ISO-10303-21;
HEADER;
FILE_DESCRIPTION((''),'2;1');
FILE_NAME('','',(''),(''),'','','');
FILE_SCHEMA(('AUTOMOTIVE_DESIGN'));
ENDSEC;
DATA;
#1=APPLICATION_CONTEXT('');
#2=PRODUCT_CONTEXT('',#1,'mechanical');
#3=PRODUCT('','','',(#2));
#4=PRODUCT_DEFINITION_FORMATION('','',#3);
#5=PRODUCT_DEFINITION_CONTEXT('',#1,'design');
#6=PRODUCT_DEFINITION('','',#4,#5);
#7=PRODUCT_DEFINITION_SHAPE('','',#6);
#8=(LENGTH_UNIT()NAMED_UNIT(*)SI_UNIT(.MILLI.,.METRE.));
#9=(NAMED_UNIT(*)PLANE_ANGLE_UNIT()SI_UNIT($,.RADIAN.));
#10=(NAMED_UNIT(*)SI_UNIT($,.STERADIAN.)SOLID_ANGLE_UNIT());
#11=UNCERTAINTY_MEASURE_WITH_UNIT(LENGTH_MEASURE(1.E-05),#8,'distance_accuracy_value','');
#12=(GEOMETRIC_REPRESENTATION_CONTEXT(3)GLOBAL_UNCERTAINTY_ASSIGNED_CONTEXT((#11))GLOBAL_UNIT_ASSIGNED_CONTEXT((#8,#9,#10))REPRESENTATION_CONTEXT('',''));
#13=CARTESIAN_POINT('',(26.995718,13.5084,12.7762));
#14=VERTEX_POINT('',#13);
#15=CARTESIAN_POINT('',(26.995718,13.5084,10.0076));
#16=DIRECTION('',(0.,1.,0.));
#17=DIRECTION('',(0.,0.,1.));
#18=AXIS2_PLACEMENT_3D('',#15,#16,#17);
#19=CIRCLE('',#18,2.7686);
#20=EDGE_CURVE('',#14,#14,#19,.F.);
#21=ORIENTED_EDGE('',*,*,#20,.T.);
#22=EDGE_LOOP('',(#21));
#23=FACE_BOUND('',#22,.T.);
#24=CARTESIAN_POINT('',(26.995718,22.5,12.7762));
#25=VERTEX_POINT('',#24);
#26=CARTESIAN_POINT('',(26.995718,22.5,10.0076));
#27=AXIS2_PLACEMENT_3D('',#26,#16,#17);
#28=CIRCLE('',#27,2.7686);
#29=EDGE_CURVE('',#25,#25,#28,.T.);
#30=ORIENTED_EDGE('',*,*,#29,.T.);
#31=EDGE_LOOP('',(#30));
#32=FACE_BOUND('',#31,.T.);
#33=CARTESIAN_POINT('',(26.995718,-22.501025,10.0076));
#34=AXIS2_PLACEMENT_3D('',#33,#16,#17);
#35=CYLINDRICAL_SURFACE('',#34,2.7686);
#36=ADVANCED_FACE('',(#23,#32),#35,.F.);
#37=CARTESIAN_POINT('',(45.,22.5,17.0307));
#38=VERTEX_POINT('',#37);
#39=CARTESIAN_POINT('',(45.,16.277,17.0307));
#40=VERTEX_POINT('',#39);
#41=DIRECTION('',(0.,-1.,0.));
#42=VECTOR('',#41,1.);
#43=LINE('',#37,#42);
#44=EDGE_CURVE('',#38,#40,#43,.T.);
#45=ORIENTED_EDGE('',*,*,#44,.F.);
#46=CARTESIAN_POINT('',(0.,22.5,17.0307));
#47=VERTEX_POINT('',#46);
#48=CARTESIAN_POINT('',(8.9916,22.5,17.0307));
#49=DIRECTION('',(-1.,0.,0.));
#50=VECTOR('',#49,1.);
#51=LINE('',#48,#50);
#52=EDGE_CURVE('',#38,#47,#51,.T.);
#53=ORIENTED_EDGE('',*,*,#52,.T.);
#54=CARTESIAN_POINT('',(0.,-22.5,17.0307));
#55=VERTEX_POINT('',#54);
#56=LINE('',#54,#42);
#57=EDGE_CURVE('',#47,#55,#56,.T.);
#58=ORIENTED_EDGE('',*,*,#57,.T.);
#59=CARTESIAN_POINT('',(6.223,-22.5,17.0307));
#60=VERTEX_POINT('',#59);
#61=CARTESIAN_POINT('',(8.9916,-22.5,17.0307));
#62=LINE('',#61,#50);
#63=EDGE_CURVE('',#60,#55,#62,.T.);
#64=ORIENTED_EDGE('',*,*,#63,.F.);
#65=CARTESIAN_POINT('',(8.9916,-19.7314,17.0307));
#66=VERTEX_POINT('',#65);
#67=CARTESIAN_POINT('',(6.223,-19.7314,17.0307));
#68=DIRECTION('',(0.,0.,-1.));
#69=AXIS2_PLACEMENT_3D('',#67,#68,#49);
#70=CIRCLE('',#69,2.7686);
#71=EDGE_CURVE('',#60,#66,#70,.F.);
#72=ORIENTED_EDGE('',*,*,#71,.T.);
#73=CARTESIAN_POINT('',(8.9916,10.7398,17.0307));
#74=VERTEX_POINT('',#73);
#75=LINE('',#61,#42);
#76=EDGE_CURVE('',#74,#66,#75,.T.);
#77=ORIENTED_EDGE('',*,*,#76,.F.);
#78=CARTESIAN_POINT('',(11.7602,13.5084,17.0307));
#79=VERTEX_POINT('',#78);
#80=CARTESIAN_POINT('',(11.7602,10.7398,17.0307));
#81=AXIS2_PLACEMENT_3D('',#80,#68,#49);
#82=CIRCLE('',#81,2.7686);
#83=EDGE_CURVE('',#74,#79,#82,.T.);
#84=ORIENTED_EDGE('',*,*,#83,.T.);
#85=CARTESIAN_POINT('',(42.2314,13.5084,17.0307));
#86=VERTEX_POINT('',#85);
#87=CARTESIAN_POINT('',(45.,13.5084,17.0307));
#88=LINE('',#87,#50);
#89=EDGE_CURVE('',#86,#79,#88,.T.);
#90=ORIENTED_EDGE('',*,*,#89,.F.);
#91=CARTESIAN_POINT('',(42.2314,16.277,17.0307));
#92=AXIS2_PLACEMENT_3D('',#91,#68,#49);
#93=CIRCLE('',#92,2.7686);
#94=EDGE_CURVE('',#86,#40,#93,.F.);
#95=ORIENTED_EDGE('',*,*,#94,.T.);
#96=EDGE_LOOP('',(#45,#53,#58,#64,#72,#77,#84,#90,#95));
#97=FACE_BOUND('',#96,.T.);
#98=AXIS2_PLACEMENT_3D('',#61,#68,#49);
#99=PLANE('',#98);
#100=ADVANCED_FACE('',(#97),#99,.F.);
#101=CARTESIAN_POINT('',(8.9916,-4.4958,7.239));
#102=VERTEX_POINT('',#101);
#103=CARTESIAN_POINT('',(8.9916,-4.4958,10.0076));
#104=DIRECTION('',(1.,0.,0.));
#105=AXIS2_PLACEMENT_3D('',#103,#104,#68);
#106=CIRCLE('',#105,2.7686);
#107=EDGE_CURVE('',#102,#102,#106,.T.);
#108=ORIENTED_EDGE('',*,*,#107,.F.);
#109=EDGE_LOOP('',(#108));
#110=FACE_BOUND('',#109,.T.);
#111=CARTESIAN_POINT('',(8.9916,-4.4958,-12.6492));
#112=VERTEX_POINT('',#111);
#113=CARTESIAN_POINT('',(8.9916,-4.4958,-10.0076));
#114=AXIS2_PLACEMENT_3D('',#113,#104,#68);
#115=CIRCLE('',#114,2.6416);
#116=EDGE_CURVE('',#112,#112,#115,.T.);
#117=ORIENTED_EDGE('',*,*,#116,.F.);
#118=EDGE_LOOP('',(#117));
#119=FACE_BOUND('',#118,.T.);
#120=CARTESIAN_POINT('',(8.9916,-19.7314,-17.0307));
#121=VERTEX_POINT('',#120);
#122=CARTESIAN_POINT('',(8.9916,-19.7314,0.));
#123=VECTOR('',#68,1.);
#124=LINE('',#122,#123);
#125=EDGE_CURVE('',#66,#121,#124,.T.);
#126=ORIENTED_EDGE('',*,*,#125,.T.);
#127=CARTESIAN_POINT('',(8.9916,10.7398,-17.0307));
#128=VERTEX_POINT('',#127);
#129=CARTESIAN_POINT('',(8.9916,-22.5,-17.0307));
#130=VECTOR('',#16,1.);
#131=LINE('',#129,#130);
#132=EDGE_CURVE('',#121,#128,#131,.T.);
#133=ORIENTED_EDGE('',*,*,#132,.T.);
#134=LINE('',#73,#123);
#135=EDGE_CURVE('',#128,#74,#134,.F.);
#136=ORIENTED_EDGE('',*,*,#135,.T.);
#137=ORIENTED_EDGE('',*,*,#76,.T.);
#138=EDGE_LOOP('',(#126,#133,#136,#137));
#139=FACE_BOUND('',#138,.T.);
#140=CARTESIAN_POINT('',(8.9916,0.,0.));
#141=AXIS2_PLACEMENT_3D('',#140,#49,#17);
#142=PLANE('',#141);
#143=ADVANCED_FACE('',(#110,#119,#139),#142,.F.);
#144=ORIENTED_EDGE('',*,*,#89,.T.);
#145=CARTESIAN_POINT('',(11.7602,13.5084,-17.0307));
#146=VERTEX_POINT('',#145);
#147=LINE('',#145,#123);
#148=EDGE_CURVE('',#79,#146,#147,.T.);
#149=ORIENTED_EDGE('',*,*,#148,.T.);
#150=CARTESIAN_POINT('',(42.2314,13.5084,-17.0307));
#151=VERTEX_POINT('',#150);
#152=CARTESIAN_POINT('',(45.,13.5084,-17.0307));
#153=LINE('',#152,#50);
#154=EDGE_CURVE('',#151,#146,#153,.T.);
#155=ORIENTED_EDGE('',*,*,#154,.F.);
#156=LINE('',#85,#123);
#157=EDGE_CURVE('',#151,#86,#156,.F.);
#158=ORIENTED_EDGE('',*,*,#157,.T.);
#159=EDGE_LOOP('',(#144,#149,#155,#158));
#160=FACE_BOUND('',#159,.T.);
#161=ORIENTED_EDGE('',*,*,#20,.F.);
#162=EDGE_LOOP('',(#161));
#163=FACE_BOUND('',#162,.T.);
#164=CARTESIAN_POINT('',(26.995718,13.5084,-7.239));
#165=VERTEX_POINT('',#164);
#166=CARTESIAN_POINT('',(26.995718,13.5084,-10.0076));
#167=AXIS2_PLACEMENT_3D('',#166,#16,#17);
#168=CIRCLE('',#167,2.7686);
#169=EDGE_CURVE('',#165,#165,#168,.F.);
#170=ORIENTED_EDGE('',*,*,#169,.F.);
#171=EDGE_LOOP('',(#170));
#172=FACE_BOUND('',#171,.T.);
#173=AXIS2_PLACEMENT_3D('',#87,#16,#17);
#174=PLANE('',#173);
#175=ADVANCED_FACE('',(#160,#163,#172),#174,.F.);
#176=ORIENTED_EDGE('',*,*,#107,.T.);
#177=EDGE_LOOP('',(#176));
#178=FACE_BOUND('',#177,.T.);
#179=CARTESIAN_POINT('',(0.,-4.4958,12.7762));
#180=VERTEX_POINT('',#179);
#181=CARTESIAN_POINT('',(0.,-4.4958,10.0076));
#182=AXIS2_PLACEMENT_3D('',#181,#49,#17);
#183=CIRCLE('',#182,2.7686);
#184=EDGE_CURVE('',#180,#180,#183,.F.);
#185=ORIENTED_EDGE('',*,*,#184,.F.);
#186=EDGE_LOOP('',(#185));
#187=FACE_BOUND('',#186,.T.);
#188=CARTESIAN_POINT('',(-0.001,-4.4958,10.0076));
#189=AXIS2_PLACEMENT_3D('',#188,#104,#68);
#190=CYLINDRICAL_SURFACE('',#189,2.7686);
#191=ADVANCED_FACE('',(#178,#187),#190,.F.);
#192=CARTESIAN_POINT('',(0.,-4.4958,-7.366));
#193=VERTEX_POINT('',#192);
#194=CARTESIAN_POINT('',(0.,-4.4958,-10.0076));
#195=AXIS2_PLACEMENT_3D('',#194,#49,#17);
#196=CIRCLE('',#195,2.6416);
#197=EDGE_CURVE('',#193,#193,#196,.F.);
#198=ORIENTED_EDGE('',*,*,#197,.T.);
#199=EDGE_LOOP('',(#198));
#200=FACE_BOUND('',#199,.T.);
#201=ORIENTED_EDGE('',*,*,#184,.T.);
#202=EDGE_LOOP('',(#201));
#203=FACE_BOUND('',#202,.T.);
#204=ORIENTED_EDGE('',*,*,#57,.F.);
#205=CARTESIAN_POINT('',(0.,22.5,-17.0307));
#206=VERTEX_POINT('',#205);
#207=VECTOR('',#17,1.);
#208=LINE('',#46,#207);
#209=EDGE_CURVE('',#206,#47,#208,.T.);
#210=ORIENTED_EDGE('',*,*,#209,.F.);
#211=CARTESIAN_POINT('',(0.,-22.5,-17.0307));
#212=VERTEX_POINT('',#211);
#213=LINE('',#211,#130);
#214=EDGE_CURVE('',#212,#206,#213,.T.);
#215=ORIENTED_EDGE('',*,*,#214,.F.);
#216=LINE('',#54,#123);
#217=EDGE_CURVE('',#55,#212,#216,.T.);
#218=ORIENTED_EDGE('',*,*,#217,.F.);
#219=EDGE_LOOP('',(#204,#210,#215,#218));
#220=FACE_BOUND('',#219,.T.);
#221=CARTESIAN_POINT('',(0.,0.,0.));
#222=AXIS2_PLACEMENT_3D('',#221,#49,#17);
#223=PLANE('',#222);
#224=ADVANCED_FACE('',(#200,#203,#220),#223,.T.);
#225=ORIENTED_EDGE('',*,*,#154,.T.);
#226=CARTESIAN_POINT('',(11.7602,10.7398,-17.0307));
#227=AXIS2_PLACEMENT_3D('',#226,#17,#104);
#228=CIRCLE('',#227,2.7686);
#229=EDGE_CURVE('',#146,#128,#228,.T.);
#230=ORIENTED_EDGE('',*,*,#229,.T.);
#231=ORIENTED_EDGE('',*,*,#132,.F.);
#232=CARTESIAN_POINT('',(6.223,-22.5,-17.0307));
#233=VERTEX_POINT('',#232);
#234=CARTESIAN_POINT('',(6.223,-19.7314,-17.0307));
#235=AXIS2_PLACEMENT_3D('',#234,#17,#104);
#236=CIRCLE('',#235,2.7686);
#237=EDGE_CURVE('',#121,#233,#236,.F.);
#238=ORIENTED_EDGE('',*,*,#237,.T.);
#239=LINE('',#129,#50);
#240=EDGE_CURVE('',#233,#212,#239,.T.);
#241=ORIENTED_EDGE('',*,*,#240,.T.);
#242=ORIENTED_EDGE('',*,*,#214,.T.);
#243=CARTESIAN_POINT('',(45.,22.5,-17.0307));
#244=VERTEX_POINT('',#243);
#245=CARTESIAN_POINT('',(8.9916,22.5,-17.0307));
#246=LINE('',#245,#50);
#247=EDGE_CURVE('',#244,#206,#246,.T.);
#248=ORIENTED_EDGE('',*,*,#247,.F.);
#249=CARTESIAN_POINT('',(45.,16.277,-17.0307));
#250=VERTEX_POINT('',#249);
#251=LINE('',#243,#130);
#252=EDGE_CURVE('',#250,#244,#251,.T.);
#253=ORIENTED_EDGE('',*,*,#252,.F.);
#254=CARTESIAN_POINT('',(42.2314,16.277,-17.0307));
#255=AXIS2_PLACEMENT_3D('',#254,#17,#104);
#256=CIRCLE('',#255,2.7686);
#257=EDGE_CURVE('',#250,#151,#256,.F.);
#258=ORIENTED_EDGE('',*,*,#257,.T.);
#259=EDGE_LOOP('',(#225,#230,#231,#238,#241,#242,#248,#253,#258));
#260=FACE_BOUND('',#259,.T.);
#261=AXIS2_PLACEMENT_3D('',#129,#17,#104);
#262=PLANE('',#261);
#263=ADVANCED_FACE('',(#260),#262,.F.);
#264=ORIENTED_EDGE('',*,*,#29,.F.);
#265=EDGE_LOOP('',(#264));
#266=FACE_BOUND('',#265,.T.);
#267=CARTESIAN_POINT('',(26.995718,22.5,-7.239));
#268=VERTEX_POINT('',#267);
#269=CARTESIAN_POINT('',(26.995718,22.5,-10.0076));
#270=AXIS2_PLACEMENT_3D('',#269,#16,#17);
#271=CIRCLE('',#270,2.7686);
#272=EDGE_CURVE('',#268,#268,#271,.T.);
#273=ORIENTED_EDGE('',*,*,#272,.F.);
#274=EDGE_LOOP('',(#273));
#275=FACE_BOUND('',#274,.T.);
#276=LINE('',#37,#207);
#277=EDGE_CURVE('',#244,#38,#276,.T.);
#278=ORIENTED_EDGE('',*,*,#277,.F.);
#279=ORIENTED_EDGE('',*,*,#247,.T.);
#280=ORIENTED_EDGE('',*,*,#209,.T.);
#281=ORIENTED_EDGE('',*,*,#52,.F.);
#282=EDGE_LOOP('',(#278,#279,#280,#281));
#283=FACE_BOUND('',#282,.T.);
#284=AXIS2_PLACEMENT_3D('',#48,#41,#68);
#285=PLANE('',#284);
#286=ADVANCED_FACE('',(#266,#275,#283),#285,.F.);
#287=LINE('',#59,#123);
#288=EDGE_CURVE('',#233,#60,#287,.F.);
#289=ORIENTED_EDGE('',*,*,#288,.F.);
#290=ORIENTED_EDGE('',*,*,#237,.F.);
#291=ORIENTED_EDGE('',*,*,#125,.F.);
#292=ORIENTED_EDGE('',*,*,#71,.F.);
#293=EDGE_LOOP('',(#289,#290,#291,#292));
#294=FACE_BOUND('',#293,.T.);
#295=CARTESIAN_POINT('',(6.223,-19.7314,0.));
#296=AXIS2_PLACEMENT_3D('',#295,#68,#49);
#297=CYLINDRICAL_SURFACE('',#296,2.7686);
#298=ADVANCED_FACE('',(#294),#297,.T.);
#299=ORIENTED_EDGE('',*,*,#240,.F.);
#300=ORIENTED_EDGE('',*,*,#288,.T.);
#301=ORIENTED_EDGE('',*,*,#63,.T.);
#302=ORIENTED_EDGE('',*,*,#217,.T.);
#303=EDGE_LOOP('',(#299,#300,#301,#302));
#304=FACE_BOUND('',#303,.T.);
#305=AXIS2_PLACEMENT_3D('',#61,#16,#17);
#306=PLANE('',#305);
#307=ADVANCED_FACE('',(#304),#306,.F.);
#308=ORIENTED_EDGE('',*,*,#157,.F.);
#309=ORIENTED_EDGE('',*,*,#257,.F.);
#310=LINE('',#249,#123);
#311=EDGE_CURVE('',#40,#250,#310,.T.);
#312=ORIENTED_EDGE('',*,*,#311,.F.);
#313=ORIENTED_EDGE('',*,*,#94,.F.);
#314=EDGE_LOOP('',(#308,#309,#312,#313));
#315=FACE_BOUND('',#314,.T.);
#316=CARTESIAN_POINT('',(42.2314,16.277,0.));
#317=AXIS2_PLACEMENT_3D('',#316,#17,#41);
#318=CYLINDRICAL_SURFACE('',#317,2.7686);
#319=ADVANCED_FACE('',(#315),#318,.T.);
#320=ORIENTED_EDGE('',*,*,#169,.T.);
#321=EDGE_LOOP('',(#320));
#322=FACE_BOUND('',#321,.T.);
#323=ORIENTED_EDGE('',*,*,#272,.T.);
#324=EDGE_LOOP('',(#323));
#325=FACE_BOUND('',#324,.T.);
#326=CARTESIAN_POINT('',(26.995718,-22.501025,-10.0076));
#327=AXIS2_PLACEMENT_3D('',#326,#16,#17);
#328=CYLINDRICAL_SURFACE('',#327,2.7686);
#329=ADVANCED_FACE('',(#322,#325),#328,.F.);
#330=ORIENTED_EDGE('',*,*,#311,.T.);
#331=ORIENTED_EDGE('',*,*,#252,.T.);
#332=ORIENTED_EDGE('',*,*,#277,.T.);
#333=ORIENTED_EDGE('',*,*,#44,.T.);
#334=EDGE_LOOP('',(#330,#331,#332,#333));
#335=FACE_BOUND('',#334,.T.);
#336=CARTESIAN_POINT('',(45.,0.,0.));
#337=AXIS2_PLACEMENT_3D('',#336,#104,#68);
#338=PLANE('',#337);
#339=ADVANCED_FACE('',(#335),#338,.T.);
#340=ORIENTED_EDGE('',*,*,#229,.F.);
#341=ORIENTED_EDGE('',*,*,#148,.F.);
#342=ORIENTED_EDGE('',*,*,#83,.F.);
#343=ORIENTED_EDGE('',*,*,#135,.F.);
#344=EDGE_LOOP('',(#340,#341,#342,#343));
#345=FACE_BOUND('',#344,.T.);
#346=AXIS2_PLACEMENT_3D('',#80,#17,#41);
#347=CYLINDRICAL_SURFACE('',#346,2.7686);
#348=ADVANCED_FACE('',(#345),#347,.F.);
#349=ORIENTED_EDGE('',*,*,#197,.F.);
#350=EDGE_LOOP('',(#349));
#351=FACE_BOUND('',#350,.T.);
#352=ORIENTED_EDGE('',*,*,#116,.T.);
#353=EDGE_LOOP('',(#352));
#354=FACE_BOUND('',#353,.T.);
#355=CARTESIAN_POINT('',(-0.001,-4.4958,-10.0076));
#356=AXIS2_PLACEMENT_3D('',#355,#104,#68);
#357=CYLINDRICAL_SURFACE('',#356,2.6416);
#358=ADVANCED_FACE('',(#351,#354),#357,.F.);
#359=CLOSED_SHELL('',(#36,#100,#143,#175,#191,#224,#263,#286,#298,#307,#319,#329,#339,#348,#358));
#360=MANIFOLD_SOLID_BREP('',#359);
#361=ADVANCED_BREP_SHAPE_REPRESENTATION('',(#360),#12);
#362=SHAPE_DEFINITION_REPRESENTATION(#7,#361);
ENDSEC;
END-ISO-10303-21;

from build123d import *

# Parameters (mm, degrees)
SKETCH1_W           = 34.0614
SKETCH1_H           = 45
BOSS_EXTRUDE1_DEPTH = 8.9916
SKETCH2_W           = 34.0614
SKETCH2_H           = 8.9916
BOSS_EXTRUDE2_DEPTH = 36.0084
CUT_EXTRUDE2_REACH  = 10.992
SKETCH5_R           = 2.7686
SKETCH5_R_2         = 2.6416
CUT_EXTRUDE3_REACH  = 47
SKETCH6_R           = 2.7686
FILLET1_R           = 2.7686


with BuildPart() as part:
    # Sketch1 → Boss-Extrude1 (new body)
    with BuildSketch(Plane(origin=(0, 0, 0), x_dir=(0, 0, -1), z_dir=(1, 0, 0))):
        Rectangle(SKETCH1_W, SKETCH1_H)
    extrude(amount=BOSS_EXTRUDE1_DEPTH)

    # Sketch2 → Boss-Extrude2 (add)
    with BuildSketch(Plane(origin=(8.9916, 0, 0), x_dir=(0, 0, -1), z_dir=(1, 0, 0))):
        with Locations((0, 18.0042)):
            Rectangle(SKETCH2_W, SKETCH2_H)
    extrude(amount=BOSS_EXTRUDE2_DEPTH)

    # Sketch5 → Cut-Extrude2 (cut, up to next)
    with BuildSketch(Plane(origin=(8.9916, 0, 0), x_dir=(0, 0, -1), z_dir=(1, 0, 0)), mode=Mode.PRIVATE) as cut_extrude2_sk1:
        with Locations((-10.0076, -4.4958)):
            Circle(SKETCH5_R)
    cut_extrude2_tool1 = extrude(cut_extrude2_sk1.sketch, amount=-CUT_EXTRUDE2_REACH, mode=Mode.PRIVATE) & part.part
    add(cut_extrude2_tool1.solids().sort_by_distance((8.9916, -4.4958, 10.0076))[0], mode=Mode.SUBTRACT)
    # Sketch5 → Cut-Extrude2 (cut, up to next)
    with BuildSketch(Plane(origin=(8.9916, 0, 0), x_dir=(0, 0, -1), z_dir=(1, 0, 0)), mode=Mode.PRIVATE) as cut_extrude2_sk2:
        with Locations((10.0076, -4.4958)):
            Circle(SKETCH5_R_2)
    cut_extrude2_tool2 = extrude(cut_extrude2_sk2.sketch, amount=-CUT_EXTRUDE2_REACH, mode=Mode.PRIVATE) & part.part
    add(cut_extrude2_tool2.solids().sort_by_distance((8.9916, -4.4958, -10.0076))[0], mode=Mode.SUBTRACT)

    # Sketch6 → Cut-Extrude3 (cut, up to next)
    with BuildSketch(Plane(origin=(0, 22.5, 0), x_dir=(1, 0, 0), z_dir=(0, 1, 0)), mode=Mode.PRIVATE) as cut_extrude3_sk1:
        with Locations((26.995718, 10.0076)):
            Circle(SKETCH6_R)
    cut_extrude3_tool1 = extrude(cut_extrude3_sk1.sketch, amount=-CUT_EXTRUDE3_REACH, mode=Mode.PRIVATE) & part.part
    add(cut_extrude3_tool1.solids().sort_by_distance((26.995718, 22.5, -10.0076))[0], mode=Mode.SUBTRACT)
    # Sketch6 → Cut-Extrude3 (cut, up to next)
    with BuildSketch(Plane(origin=(0, 22.5, 0), x_dir=(1, 0, 0), z_dir=(0, 1, 0)), mode=Mode.PRIVATE) as cut_extrude3_sk2:
        with Locations((26.995718, -10.0076)):
            Circle(SKETCH6_R)
    cut_extrude3_tool2 = extrude(cut_extrude3_sk2.sketch, amount=-CUT_EXTRUDE3_REACH, mode=Mode.PRIVATE) & part.part
    add(cut_extrude3_tool2.solids().sort_by_distance((26.995718, 22.5, 10.0076))[0], mode=Mode.SUBTRACT)

    # Fillet1
    fillet1_edges = [part.edges().sort_by_distance(p)[0] for p in [
        (8.9916, -22.5, 0),
        (8.9916, 13.5084, 0),
        (45, 13.5084, 0),
    ]]
    fillet(fillet1_edges, radius=FILLET1_R)


solid = part.part
